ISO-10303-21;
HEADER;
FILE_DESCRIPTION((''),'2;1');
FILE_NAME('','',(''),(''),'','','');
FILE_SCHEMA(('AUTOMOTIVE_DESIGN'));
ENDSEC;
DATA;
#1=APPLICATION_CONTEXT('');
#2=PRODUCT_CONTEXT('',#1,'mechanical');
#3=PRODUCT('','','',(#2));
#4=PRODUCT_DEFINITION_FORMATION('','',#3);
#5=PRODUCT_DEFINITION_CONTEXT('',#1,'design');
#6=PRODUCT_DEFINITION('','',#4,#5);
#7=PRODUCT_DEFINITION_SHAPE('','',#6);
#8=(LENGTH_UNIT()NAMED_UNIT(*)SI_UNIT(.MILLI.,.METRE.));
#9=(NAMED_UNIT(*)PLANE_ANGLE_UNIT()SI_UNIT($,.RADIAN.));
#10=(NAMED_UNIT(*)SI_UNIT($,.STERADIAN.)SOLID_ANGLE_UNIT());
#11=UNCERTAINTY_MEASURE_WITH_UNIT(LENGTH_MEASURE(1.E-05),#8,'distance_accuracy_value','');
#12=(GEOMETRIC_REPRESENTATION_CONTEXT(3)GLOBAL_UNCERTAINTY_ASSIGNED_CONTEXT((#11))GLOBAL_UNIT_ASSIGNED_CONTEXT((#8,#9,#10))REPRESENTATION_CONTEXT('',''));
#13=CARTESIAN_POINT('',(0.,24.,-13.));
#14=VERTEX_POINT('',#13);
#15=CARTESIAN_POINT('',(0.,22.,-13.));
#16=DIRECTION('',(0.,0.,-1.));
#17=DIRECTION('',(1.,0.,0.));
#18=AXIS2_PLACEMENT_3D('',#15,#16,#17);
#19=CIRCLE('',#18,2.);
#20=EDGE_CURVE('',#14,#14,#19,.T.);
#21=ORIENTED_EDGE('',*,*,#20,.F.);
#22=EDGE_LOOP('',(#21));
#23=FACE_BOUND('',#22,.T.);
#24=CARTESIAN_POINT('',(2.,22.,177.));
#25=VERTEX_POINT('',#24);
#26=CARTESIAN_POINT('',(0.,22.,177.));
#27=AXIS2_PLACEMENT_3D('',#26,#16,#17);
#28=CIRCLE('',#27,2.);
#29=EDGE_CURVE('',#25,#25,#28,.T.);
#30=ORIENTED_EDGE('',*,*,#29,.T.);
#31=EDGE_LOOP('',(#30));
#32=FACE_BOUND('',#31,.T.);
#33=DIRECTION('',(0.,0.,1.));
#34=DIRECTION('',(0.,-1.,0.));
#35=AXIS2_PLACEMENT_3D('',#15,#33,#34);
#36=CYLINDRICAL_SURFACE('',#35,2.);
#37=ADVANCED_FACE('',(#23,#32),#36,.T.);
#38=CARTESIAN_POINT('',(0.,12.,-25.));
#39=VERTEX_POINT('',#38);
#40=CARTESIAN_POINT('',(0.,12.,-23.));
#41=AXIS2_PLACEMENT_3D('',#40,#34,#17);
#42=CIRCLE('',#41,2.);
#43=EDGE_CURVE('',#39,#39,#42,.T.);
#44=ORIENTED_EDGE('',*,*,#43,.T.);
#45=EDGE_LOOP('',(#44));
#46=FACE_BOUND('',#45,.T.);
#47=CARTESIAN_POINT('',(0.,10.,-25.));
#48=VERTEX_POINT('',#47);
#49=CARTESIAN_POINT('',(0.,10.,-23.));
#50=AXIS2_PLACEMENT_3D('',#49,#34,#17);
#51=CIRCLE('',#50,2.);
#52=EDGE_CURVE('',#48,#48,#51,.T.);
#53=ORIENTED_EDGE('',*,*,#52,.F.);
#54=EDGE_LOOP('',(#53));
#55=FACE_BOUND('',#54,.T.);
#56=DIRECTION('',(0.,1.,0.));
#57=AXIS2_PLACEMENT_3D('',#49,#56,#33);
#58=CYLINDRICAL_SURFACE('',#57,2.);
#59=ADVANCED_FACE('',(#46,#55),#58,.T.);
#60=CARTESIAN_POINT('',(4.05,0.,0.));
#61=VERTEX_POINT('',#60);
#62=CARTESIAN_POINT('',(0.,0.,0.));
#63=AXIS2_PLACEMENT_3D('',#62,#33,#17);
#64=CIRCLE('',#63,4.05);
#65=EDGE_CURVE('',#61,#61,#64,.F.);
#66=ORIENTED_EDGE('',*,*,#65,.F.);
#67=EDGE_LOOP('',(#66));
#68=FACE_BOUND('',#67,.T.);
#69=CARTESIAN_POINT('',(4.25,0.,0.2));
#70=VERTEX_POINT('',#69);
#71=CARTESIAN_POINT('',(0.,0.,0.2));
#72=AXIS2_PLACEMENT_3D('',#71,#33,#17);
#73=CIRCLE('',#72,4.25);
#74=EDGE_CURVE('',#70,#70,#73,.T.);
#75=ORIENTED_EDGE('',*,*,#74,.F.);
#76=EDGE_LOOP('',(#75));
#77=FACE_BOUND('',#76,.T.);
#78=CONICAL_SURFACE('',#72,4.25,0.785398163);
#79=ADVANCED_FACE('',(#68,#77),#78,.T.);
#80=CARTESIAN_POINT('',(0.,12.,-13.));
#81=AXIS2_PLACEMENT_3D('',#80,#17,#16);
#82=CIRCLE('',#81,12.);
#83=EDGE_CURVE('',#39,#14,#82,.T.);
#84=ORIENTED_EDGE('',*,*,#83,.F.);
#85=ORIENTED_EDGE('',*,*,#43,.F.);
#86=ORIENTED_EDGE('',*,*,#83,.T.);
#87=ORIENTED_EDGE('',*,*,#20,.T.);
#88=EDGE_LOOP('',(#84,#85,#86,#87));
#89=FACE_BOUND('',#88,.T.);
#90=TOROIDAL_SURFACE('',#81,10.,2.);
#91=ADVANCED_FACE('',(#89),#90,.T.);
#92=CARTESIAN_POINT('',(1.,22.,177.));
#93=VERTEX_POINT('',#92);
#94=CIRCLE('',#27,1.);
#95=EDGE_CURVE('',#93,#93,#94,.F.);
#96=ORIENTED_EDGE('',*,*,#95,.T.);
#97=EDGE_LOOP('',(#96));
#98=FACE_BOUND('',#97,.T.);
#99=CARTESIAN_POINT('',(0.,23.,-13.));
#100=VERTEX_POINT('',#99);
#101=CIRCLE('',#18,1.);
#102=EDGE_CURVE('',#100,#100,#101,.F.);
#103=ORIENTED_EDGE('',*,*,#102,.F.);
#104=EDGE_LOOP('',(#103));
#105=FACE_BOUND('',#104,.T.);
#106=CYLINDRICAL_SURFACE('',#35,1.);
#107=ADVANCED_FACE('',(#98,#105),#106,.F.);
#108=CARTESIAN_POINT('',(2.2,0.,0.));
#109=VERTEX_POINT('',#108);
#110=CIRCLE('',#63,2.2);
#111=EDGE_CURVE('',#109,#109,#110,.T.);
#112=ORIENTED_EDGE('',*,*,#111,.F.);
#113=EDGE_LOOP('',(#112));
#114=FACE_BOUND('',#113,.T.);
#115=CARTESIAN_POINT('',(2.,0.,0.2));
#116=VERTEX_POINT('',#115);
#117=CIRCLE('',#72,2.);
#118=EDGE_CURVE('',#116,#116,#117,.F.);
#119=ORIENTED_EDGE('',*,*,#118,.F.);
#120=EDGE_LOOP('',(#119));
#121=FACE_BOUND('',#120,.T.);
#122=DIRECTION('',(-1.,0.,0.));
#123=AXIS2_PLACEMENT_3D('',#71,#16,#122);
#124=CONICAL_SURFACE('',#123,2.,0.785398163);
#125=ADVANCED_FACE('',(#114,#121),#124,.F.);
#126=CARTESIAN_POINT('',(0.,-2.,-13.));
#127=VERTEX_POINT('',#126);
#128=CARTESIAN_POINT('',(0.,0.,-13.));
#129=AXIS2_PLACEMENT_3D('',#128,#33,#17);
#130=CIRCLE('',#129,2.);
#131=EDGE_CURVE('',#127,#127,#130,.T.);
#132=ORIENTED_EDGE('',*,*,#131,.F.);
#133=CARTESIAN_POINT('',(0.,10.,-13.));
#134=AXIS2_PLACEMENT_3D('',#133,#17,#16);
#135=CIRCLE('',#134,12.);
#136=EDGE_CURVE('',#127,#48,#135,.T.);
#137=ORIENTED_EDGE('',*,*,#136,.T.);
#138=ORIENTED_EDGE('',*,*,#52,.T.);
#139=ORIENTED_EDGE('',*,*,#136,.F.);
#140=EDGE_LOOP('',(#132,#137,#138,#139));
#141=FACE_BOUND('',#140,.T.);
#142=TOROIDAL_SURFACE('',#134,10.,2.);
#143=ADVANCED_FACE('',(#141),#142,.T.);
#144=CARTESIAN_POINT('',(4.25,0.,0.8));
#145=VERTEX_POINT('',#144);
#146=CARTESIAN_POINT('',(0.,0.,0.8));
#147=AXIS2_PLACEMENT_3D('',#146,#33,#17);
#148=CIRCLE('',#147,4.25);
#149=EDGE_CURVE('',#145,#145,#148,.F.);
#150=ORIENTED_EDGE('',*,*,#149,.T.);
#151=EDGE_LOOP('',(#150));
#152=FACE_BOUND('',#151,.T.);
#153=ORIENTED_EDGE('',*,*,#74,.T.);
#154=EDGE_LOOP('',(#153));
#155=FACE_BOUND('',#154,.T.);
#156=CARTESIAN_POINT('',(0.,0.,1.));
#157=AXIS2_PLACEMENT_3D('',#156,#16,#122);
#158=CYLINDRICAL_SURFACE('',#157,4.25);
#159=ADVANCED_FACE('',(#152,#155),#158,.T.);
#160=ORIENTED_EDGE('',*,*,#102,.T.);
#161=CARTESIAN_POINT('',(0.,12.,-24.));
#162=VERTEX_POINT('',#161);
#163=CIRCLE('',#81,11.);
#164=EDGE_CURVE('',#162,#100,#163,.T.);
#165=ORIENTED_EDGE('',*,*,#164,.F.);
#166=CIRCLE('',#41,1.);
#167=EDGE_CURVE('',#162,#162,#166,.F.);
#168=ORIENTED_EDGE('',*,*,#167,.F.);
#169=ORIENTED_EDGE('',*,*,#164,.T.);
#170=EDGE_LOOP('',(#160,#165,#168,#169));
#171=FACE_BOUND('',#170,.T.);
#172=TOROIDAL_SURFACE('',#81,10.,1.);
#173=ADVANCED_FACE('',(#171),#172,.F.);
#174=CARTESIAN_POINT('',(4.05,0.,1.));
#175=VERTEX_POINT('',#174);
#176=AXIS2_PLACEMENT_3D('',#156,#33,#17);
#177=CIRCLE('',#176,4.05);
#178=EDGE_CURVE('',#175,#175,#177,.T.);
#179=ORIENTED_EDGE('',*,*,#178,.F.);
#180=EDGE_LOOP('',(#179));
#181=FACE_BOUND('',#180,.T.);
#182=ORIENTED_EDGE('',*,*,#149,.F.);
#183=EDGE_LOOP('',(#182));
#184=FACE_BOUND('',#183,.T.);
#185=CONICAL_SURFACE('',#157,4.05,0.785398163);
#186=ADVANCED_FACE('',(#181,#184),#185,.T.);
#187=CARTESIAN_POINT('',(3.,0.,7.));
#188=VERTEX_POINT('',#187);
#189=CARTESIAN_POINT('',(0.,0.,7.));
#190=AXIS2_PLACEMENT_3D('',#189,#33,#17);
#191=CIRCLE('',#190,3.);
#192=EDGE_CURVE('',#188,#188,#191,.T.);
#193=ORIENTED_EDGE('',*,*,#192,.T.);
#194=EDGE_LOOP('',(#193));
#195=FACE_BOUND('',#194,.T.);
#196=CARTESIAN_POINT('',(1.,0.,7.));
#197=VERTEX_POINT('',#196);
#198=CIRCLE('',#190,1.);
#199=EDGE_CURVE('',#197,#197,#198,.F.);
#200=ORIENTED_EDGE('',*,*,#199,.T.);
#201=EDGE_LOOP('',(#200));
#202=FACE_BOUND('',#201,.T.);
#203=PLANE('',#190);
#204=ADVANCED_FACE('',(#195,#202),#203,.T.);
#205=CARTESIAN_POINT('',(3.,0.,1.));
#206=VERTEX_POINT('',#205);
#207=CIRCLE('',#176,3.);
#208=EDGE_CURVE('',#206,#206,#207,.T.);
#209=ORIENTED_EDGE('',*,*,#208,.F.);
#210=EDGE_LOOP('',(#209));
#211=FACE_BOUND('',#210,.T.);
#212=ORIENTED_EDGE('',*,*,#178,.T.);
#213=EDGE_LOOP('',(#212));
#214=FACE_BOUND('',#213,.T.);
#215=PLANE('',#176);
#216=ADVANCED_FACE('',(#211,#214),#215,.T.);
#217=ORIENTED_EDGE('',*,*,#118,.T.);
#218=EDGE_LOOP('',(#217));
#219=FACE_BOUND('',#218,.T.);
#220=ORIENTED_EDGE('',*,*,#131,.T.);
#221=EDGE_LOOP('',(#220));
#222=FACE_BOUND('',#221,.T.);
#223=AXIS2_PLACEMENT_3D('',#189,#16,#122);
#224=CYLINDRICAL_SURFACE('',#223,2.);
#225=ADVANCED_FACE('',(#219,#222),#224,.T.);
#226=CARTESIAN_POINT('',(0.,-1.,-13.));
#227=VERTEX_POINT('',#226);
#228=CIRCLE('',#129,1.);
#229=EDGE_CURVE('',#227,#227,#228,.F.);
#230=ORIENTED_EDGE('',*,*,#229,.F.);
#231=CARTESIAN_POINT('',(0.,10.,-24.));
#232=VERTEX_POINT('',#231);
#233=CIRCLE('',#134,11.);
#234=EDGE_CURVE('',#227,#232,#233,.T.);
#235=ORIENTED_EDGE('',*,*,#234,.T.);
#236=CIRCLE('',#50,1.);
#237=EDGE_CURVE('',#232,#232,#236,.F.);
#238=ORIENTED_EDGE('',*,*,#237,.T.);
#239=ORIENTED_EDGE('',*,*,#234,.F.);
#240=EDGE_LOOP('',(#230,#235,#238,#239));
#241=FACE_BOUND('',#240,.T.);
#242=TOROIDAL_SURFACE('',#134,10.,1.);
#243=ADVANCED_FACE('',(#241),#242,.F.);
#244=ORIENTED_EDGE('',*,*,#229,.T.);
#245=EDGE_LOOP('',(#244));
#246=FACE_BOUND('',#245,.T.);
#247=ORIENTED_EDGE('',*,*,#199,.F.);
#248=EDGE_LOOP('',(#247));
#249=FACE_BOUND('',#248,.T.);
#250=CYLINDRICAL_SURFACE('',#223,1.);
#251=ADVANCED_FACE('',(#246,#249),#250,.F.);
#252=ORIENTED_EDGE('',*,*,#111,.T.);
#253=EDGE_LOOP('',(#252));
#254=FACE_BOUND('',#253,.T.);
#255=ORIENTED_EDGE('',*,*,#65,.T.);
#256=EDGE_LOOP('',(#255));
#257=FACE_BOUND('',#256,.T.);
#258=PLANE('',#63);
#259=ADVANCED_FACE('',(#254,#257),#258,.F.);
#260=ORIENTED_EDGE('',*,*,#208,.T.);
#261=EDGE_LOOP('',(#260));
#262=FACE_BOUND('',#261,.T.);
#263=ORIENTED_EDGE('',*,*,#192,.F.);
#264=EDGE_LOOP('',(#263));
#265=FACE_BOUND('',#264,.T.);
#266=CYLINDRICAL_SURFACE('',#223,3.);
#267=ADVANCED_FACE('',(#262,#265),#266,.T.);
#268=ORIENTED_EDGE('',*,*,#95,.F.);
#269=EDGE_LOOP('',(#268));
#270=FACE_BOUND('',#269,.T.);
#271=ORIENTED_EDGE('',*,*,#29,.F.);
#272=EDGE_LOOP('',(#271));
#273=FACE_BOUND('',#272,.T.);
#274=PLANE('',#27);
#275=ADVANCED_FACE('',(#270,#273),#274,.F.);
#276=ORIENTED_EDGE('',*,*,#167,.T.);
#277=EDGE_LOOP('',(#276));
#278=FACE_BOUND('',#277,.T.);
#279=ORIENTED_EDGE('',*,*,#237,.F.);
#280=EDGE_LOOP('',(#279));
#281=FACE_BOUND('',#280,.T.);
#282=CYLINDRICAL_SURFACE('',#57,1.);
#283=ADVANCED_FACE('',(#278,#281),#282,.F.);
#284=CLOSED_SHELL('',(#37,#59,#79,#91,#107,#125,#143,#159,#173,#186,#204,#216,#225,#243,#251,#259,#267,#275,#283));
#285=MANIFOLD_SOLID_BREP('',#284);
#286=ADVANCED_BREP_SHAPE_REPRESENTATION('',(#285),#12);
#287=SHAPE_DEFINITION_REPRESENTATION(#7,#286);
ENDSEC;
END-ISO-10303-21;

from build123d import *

# Parameters (mm, degrees)
SKETCH1_R           = 4.25
BOSS_EXTRUDE1_DEPTH = 1
SKETCH2_R           = 3
BOSS_EXTRUDE2_DEPTH = 6
SKETCH3_R           = 2
CUT_EXTRUDE1_DEPTH  = 10.226321044
CHAMFER1_SIZE       = 0.2
SKETCH4_R           = 2
SKETCH4_R_2         = 1


with BuildPart() as part:
    # Sketch1 → Boss-Extrude1 (new body)
    with BuildSketch(Plane.XY):
        Circle(SKETCH1_R)
    extrude(amount=BOSS_EXTRUDE1_DEPTH)

    # Sketch2 → Boss-Extrude2 (add)
    with BuildSketch(Plane.XY.offset(1)):
        Circle(SKETCH2_R)
    extrude(amount=BOSS_EXTRUDE2_DEPTH)

    # Sketch3 → Cut-Extrude1 (cut, through all)
    with BuildSketch(Plane(origin=(0, 0, 0), x_dir=(-1, 0, 0), z_dir=(0, 0, -1))):
        Circle(SKETCH3_R)
    extrude(amount=-CUT_EXTRUDE1_DEPTH, mode=Mode.SUBTRACT)

    # Chamfer1
    chamfer1_edges = [part.edges().sort_by_distance(p)[0] for p in [
        (2, 0, 0),
        (-4.25, 0, 0),
        (-4.25, 0, 1),
    ]]
    chamfer(chamfer1_edges, length=CHAMFER1_SIZE)

    # Sweep1: sweep along a path in Sketch5
    with BuildLine(Plane(origin=(0, 0, 0), x_dir=(0, 0, -1), z_dir=(1, 0, 0))) as sweep1_path:
        Line((-7, 0), (13, 0))
        ThreePointArc((13, 0), (20.071067812, 2.928932188), (23, 10))
        Line((23, 10), (23, 12))
        ThreePointArc((23, 12), (20.071067812, 19.071067812), (13, 22))
        Line((13, 22), (-177, 22))
    # Sketch4 → Sweep1 (sweep)
    with BuildSketch(Plane.XY.offset(7)):
        Circle(SKETCH4_R)
        Circle(SKETCH4_R_2, mode=Mode.SUBTRACT)
    sweep(path=sweep1_path.line)


solid = part.part
